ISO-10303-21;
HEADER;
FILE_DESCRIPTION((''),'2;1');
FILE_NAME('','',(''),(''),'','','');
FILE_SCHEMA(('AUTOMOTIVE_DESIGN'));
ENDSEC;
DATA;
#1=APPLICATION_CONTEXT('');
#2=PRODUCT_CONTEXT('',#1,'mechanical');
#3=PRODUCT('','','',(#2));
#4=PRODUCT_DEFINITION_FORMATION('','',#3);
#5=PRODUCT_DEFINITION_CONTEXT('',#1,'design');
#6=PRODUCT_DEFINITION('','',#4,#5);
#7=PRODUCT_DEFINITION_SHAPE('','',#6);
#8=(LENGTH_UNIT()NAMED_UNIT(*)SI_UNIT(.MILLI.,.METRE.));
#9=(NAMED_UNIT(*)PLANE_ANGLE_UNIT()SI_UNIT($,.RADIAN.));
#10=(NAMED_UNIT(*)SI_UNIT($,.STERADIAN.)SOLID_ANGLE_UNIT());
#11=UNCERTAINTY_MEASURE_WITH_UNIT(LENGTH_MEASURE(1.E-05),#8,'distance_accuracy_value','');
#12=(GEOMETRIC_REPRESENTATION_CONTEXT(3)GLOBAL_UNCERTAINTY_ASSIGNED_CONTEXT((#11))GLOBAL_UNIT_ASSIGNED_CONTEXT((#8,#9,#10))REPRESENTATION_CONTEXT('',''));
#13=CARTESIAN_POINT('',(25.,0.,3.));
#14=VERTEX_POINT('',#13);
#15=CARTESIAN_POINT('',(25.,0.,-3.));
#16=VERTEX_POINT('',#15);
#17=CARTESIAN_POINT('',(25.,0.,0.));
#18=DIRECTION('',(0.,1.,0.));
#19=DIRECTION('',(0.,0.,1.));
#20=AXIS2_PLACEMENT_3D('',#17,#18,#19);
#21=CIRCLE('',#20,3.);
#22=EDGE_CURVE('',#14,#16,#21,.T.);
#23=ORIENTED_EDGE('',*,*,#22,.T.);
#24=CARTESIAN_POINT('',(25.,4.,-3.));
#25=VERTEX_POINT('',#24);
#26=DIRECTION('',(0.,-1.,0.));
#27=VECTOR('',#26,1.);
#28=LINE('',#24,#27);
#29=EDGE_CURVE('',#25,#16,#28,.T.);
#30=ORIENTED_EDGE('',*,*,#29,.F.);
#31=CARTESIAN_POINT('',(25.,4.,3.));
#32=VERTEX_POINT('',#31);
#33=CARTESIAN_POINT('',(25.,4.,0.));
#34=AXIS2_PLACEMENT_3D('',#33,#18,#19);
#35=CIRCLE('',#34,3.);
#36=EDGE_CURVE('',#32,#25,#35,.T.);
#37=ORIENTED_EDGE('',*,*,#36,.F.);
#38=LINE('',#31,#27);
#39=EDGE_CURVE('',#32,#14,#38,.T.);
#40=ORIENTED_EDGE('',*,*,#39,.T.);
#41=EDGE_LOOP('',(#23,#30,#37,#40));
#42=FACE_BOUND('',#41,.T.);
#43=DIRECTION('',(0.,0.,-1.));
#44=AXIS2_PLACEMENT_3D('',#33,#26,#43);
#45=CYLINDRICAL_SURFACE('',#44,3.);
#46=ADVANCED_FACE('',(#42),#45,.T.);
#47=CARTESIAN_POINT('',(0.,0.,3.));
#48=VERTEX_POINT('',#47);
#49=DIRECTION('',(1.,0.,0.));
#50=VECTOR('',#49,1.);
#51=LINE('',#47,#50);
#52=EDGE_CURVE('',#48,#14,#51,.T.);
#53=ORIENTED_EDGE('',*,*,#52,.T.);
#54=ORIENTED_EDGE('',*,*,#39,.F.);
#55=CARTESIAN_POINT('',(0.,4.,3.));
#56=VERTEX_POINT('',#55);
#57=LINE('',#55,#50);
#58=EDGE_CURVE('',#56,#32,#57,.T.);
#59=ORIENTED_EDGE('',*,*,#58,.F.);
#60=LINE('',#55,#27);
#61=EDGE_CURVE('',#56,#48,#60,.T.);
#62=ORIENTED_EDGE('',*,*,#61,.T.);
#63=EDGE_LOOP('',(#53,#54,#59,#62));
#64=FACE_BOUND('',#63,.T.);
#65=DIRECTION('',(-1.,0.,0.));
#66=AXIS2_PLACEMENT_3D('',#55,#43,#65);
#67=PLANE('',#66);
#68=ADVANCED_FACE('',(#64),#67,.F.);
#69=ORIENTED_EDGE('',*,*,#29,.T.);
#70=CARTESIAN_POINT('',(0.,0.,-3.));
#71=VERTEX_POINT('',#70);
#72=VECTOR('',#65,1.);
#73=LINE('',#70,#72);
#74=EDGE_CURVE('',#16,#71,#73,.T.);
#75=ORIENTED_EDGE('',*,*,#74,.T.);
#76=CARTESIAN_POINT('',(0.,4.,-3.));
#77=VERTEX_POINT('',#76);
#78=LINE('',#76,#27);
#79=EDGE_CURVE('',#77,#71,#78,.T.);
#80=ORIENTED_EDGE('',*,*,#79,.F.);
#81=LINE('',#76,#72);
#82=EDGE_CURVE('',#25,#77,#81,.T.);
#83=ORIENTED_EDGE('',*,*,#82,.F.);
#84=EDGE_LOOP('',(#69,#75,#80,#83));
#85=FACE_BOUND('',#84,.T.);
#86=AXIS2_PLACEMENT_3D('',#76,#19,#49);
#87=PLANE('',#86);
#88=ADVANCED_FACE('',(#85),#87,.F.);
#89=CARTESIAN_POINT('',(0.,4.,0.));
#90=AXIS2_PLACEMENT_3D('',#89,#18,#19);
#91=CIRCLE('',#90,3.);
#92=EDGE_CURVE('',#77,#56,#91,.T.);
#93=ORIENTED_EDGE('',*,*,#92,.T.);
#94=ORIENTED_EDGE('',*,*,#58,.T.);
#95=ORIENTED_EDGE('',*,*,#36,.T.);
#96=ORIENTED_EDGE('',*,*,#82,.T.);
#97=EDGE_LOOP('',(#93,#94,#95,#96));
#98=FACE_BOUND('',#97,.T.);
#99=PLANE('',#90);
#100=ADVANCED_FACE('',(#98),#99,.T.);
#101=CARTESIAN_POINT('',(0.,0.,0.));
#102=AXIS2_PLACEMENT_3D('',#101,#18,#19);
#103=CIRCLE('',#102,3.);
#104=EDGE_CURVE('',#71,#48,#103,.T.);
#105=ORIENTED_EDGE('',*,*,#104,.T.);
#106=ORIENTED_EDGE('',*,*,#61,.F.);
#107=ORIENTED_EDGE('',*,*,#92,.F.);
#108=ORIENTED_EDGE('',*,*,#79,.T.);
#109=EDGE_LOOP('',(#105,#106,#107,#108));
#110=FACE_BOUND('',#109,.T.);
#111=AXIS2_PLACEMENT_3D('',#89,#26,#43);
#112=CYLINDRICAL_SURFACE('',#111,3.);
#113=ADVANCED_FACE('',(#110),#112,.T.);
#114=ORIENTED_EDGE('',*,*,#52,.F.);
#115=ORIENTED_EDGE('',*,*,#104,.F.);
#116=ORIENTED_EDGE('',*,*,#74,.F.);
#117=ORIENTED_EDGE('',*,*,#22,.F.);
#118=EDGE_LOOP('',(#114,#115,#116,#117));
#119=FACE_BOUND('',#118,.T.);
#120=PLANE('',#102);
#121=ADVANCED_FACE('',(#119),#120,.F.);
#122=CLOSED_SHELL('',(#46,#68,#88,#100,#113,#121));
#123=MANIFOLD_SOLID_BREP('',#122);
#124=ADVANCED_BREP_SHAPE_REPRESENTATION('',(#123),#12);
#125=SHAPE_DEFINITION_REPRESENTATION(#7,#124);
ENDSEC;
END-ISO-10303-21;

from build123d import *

# Parameters (mm, degrees)
BOSS_EXTRUDE1_DEPTH = 4


with BuildPart() as part:
    # Sketch1 → Boss-Extrude1 (new body)
    with BuildSketch(Plane(origin=(0, 0, 0), x_dir=(1, 0, 0), z_dir=(0, 1, 0))):
        with BuildLine():
            Line((0, 3), (25, 3))
            ThreePointArc((25, 3), (28, 0), (25, -3))
            Line((25, -3), (0, -3))
            ThreePointArc((0, -3), (-3, 0), (0, 3))
        make_face()
    extrude(amount=BOSS_EXTRUDE1_DEPTH)


solid = part.part
